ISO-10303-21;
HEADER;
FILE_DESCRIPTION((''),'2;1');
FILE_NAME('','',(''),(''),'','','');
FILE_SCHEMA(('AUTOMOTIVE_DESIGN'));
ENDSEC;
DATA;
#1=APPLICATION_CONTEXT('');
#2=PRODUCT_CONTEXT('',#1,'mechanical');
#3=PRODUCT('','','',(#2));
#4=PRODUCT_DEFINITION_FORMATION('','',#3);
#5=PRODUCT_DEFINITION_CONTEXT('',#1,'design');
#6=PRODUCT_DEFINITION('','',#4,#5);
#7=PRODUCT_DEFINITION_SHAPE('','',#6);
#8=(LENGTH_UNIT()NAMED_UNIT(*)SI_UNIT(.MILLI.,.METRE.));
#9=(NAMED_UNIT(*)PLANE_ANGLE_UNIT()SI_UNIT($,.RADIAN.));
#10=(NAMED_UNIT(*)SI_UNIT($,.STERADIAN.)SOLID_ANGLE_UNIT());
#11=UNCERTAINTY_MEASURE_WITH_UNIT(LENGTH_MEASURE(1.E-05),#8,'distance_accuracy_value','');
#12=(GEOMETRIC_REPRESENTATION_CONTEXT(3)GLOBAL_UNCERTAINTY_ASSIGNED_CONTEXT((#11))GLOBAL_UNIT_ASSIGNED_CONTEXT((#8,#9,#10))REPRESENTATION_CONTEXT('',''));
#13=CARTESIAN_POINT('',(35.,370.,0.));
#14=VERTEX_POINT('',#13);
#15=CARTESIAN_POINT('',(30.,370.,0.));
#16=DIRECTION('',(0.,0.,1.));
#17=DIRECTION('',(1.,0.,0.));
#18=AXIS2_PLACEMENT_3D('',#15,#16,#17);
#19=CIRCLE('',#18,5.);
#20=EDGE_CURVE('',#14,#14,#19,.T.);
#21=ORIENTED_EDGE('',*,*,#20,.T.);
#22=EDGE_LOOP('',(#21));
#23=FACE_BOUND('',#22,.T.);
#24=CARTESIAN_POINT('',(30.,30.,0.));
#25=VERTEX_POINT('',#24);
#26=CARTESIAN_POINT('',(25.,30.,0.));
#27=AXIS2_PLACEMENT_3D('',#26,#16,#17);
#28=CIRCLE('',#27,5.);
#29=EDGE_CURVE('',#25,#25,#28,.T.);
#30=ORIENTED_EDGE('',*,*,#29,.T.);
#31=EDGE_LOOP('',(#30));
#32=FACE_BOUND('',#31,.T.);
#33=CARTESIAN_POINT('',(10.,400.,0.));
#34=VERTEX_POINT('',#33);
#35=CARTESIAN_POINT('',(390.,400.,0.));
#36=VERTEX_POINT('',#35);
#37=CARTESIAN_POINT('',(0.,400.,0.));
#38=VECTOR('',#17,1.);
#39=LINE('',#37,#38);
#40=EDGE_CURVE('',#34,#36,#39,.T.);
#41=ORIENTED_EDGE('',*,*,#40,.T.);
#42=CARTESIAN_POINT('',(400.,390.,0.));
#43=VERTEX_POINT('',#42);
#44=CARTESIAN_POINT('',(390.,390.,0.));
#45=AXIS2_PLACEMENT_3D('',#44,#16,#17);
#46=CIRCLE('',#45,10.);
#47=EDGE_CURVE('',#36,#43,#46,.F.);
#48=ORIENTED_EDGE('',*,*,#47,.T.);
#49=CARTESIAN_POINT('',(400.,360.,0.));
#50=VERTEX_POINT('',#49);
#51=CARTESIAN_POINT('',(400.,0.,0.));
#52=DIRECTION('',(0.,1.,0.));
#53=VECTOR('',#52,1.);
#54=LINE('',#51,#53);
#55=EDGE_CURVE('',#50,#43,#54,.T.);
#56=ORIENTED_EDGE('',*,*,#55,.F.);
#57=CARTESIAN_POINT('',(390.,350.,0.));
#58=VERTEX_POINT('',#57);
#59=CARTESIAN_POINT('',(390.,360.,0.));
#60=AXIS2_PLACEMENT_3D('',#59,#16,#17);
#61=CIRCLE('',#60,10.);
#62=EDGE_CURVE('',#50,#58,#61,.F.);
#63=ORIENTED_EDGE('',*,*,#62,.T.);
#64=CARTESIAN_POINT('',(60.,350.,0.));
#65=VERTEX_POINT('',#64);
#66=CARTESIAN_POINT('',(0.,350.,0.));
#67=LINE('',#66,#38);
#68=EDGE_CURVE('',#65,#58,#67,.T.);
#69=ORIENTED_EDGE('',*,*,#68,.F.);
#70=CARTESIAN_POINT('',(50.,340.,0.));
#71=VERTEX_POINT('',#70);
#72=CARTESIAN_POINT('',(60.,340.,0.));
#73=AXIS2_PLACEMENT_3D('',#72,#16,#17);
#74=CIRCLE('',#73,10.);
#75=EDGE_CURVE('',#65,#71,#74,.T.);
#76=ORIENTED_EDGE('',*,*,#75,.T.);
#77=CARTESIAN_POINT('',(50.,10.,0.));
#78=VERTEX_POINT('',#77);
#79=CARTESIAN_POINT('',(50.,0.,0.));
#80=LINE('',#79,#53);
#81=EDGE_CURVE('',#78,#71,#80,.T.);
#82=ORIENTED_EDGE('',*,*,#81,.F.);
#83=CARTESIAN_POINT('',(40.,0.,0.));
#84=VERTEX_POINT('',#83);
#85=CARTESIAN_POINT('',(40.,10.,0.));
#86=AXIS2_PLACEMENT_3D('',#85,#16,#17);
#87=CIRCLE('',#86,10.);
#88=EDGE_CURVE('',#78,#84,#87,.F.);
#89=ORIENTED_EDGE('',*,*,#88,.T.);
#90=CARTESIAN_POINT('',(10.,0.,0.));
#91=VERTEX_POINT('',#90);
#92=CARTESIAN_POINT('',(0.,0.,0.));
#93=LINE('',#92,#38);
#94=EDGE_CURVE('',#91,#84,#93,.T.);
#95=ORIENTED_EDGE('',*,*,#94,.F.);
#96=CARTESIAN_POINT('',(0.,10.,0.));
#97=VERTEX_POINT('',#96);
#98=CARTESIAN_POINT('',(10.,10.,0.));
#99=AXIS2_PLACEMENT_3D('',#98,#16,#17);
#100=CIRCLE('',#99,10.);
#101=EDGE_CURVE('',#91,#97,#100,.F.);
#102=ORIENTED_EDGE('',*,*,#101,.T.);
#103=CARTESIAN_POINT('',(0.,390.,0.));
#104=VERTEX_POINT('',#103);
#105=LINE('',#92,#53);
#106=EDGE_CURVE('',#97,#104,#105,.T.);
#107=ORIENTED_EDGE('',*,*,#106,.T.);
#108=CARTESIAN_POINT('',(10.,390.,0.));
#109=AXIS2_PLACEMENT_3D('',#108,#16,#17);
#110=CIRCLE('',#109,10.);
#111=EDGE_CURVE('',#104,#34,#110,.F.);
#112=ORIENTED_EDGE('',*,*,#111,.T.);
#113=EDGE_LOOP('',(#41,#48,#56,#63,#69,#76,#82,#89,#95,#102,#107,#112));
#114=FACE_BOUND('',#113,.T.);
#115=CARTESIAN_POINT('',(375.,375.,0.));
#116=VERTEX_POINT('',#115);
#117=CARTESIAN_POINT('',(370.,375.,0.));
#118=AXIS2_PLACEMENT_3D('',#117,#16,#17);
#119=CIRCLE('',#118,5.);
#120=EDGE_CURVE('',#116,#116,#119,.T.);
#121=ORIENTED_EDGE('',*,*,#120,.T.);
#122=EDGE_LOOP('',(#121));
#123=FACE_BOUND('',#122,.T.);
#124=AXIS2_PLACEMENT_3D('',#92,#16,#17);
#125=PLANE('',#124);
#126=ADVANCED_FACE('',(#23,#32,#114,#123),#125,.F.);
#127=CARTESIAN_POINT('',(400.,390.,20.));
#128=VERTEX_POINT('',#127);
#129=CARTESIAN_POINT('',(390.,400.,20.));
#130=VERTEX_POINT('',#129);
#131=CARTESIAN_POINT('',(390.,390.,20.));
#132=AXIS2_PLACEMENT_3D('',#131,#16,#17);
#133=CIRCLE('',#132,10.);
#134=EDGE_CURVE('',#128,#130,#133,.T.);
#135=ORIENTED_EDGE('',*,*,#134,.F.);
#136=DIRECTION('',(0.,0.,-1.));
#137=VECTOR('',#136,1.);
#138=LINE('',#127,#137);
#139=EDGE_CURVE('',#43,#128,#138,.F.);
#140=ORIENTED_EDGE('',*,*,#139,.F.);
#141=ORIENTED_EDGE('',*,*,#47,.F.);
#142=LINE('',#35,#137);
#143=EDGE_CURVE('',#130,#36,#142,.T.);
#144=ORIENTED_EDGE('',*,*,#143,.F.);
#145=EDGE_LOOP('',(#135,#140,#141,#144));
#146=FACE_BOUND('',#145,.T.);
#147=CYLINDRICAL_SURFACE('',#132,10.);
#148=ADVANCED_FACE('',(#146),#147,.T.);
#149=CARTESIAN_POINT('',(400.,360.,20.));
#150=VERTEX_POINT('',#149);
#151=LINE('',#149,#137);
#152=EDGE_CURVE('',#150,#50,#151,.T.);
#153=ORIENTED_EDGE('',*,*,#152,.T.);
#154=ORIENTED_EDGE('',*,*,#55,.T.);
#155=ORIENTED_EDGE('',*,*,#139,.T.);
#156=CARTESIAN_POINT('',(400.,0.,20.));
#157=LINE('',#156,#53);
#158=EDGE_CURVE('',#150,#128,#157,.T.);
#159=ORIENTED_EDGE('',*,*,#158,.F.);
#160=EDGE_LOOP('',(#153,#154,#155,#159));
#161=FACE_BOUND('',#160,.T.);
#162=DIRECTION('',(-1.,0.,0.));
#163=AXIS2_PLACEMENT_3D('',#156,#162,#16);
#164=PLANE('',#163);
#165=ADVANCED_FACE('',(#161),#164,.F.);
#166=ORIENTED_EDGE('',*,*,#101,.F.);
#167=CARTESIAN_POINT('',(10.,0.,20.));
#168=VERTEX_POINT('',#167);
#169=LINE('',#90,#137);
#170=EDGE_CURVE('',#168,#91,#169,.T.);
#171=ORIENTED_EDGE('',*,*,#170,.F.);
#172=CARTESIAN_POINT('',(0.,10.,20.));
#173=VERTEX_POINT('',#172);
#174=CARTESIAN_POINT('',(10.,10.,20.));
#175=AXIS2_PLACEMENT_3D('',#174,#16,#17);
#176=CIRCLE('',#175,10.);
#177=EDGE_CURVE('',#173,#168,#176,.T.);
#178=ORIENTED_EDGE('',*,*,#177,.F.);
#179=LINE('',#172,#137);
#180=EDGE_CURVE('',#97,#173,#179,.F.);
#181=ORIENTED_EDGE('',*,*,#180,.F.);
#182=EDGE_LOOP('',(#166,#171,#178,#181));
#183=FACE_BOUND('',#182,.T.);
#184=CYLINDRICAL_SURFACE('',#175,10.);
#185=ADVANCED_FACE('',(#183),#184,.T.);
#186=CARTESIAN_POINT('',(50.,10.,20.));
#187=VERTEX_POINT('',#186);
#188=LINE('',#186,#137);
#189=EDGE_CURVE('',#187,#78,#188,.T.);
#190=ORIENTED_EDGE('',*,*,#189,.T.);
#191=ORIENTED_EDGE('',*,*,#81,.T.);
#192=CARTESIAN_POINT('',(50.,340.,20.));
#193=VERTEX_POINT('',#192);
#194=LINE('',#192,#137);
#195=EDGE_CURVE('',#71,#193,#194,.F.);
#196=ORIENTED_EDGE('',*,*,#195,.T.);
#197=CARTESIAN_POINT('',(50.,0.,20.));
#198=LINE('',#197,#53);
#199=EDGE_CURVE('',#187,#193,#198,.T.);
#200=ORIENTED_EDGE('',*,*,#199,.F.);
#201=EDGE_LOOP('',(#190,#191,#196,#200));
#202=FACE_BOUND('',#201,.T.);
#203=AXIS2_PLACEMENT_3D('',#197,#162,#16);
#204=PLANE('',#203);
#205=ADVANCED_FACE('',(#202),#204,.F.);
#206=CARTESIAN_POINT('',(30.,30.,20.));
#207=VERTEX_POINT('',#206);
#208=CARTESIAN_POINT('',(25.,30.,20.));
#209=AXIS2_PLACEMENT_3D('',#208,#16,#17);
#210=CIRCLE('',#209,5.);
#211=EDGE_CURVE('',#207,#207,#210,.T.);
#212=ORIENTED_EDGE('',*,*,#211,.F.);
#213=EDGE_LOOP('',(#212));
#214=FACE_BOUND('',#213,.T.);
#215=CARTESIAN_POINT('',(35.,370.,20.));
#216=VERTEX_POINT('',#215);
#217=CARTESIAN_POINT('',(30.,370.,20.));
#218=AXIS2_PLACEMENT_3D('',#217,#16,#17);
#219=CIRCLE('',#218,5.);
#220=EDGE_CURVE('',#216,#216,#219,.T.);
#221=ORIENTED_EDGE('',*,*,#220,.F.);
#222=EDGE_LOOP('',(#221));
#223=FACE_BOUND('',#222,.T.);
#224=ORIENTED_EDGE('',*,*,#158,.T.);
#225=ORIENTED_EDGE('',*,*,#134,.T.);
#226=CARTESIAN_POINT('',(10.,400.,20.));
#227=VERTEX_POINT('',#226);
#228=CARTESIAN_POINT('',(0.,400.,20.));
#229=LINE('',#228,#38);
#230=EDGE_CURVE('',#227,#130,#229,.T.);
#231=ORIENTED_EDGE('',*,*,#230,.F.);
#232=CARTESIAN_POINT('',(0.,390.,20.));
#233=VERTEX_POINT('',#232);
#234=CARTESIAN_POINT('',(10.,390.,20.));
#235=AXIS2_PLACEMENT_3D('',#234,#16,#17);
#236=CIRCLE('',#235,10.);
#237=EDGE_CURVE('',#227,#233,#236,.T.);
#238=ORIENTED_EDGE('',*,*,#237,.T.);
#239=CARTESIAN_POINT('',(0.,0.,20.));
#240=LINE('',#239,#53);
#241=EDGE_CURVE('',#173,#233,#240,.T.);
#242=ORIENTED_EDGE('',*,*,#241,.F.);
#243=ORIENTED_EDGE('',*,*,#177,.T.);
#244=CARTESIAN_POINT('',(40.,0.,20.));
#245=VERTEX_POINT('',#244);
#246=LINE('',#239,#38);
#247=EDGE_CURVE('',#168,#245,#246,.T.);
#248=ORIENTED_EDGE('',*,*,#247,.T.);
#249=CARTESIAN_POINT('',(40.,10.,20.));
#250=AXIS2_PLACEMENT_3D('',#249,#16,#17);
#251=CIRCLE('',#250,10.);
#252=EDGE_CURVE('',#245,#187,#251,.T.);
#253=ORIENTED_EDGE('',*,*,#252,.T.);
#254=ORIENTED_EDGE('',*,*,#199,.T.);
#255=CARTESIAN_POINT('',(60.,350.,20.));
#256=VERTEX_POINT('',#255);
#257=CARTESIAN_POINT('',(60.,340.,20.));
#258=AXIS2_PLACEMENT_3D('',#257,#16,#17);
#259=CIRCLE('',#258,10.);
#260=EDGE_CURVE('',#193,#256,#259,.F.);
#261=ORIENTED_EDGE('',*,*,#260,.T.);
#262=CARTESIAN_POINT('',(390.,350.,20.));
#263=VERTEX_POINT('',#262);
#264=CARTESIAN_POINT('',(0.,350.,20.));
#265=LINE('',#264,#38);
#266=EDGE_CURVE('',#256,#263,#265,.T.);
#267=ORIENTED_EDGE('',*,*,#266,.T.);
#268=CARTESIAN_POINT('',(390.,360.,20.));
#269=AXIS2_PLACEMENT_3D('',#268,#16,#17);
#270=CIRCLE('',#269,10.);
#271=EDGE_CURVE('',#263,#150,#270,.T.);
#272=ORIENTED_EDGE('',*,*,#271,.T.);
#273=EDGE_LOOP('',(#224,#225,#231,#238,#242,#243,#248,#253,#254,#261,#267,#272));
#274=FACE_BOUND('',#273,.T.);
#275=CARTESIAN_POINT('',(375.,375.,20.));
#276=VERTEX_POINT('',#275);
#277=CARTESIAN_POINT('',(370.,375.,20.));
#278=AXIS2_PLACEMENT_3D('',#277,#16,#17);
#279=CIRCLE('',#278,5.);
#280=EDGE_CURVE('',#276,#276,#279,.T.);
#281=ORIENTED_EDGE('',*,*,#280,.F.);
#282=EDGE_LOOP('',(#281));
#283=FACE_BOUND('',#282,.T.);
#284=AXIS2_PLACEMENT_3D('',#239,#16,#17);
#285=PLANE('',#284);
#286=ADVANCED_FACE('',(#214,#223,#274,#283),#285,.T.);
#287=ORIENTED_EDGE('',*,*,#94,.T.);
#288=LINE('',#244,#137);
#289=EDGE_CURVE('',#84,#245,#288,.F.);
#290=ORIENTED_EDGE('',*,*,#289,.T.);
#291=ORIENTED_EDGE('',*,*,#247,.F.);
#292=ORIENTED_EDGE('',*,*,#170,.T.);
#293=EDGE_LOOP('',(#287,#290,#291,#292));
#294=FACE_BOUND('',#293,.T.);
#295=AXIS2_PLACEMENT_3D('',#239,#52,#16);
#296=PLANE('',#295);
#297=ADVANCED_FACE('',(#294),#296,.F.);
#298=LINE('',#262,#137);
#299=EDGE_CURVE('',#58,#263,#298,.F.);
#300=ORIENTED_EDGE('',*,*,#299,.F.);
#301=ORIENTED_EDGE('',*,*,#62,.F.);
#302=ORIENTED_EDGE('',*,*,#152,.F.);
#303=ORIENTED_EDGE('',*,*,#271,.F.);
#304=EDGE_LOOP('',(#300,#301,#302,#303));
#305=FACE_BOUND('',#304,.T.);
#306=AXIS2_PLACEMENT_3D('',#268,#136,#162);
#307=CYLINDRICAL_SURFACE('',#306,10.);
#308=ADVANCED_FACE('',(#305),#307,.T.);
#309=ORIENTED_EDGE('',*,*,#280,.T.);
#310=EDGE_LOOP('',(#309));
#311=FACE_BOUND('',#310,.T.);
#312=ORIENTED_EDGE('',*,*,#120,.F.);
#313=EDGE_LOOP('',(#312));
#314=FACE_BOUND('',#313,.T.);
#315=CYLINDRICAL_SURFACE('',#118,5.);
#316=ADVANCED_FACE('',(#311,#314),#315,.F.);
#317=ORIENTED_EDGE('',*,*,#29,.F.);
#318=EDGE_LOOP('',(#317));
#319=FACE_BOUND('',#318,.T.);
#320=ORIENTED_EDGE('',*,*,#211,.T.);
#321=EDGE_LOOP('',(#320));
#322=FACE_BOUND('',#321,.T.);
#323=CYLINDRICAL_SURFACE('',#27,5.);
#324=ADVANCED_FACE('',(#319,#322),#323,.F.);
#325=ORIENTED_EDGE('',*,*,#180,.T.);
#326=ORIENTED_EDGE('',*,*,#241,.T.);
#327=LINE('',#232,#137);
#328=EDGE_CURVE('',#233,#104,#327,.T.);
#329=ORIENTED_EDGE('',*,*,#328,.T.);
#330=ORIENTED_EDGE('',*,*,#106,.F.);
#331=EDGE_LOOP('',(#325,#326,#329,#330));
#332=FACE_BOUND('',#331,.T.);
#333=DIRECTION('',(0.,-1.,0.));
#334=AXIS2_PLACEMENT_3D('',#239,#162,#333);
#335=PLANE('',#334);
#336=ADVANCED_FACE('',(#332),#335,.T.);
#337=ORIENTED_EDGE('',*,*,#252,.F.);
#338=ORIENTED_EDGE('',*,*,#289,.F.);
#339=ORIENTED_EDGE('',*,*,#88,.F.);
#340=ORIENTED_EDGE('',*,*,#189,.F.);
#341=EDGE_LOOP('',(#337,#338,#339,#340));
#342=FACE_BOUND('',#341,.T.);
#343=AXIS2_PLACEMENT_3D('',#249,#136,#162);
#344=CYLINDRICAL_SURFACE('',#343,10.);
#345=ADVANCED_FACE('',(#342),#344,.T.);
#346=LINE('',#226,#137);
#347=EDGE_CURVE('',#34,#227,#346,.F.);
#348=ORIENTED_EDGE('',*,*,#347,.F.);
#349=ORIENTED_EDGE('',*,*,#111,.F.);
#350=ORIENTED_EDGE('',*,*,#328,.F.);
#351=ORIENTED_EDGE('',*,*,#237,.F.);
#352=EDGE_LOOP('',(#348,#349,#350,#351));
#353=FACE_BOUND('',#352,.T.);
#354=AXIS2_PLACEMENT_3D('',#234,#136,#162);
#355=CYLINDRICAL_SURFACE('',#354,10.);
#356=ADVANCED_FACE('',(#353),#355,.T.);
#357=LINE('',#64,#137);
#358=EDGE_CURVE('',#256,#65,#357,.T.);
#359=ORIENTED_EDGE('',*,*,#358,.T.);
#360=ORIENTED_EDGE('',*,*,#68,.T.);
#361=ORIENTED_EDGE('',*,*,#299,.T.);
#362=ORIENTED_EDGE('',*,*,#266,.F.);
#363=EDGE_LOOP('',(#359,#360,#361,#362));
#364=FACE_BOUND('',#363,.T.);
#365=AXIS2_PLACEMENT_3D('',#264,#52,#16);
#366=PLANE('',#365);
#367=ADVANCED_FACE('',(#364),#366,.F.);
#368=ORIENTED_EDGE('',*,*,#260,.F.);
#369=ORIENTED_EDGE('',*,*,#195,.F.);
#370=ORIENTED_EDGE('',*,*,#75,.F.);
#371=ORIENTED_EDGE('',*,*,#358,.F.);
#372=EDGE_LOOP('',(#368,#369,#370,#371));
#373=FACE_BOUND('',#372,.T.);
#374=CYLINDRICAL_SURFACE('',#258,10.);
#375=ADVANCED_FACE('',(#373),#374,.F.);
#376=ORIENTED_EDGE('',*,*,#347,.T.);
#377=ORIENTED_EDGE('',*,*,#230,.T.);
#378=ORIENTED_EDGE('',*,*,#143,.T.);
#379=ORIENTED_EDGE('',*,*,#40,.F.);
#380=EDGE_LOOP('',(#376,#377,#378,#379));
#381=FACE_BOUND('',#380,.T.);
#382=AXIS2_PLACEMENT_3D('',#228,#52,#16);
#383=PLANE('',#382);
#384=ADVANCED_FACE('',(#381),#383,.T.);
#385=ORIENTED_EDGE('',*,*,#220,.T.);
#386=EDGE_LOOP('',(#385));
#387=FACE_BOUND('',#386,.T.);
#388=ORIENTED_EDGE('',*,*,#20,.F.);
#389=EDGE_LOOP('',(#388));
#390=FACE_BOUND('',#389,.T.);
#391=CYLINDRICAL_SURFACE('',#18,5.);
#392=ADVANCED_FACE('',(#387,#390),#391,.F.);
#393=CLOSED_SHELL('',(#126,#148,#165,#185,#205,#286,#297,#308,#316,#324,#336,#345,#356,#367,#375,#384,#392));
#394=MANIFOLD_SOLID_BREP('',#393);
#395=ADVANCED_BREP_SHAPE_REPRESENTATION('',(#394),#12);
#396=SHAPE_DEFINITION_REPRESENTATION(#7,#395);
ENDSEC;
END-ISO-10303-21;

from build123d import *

# Parameters (mm, degrees)
SKETCH1_W           = 50
SKETCH1_H           = 350
SKETCH1_H_2         = 50
SKETCH1_W_2         = 350
BOSS_EXTRUDE1_DEPTH = 20
FILLET1_R           = 10
SKETCH2_R           = 5
CUT_EXTRUDE1_DEPTH  = 20


with BuildPart() as part:
    # Sketch1 → Boss-Extrude1 (new body)
    with BuildSketch(Plane.XY):
        with Locations((25, 175)):
            Rectangle(SKETCH1_W, SKETCH1_H)
        with Locations((25, 375)):
            Rectangle(SKETCH1_W, SKETCH1_H_2)
        with Locations((225, 375)):
            Rectangle(SKETCH1_W_2, SKETCH1_H_2)
    extrude(amount=BOSS_EXTRUDE1_DEPTH)

    # Fillet1
    fillet1_edges = [part.edges().sort_by_distance(p)[0] for p in [
        (50, 0, 10),
        (0, 0, 10),
        (0, 400, 10),
        (400, 400, 10),
        (400, 350, 10),
        (50, 350, 10),
    ]]
    fillet(fillet1_edges, radius=FILLET1_R)

    # Sketch2 → Cut-Extrude1 (cut)
    with BuildSketch(Plane.XY.offset(20)):
        with Locations((25, 30)):
            Circle(SKETCH2_R)
        with Locations((30, 370)):
            Circle(SKETCH2_R)
        with Locations((370, 375)):
            Circle(SKETCH2_R)
    extrude(amount=-CUT_EXTRUDE1_DEPTH, mode=Mode.SUBTRACT)


solid = part.part
